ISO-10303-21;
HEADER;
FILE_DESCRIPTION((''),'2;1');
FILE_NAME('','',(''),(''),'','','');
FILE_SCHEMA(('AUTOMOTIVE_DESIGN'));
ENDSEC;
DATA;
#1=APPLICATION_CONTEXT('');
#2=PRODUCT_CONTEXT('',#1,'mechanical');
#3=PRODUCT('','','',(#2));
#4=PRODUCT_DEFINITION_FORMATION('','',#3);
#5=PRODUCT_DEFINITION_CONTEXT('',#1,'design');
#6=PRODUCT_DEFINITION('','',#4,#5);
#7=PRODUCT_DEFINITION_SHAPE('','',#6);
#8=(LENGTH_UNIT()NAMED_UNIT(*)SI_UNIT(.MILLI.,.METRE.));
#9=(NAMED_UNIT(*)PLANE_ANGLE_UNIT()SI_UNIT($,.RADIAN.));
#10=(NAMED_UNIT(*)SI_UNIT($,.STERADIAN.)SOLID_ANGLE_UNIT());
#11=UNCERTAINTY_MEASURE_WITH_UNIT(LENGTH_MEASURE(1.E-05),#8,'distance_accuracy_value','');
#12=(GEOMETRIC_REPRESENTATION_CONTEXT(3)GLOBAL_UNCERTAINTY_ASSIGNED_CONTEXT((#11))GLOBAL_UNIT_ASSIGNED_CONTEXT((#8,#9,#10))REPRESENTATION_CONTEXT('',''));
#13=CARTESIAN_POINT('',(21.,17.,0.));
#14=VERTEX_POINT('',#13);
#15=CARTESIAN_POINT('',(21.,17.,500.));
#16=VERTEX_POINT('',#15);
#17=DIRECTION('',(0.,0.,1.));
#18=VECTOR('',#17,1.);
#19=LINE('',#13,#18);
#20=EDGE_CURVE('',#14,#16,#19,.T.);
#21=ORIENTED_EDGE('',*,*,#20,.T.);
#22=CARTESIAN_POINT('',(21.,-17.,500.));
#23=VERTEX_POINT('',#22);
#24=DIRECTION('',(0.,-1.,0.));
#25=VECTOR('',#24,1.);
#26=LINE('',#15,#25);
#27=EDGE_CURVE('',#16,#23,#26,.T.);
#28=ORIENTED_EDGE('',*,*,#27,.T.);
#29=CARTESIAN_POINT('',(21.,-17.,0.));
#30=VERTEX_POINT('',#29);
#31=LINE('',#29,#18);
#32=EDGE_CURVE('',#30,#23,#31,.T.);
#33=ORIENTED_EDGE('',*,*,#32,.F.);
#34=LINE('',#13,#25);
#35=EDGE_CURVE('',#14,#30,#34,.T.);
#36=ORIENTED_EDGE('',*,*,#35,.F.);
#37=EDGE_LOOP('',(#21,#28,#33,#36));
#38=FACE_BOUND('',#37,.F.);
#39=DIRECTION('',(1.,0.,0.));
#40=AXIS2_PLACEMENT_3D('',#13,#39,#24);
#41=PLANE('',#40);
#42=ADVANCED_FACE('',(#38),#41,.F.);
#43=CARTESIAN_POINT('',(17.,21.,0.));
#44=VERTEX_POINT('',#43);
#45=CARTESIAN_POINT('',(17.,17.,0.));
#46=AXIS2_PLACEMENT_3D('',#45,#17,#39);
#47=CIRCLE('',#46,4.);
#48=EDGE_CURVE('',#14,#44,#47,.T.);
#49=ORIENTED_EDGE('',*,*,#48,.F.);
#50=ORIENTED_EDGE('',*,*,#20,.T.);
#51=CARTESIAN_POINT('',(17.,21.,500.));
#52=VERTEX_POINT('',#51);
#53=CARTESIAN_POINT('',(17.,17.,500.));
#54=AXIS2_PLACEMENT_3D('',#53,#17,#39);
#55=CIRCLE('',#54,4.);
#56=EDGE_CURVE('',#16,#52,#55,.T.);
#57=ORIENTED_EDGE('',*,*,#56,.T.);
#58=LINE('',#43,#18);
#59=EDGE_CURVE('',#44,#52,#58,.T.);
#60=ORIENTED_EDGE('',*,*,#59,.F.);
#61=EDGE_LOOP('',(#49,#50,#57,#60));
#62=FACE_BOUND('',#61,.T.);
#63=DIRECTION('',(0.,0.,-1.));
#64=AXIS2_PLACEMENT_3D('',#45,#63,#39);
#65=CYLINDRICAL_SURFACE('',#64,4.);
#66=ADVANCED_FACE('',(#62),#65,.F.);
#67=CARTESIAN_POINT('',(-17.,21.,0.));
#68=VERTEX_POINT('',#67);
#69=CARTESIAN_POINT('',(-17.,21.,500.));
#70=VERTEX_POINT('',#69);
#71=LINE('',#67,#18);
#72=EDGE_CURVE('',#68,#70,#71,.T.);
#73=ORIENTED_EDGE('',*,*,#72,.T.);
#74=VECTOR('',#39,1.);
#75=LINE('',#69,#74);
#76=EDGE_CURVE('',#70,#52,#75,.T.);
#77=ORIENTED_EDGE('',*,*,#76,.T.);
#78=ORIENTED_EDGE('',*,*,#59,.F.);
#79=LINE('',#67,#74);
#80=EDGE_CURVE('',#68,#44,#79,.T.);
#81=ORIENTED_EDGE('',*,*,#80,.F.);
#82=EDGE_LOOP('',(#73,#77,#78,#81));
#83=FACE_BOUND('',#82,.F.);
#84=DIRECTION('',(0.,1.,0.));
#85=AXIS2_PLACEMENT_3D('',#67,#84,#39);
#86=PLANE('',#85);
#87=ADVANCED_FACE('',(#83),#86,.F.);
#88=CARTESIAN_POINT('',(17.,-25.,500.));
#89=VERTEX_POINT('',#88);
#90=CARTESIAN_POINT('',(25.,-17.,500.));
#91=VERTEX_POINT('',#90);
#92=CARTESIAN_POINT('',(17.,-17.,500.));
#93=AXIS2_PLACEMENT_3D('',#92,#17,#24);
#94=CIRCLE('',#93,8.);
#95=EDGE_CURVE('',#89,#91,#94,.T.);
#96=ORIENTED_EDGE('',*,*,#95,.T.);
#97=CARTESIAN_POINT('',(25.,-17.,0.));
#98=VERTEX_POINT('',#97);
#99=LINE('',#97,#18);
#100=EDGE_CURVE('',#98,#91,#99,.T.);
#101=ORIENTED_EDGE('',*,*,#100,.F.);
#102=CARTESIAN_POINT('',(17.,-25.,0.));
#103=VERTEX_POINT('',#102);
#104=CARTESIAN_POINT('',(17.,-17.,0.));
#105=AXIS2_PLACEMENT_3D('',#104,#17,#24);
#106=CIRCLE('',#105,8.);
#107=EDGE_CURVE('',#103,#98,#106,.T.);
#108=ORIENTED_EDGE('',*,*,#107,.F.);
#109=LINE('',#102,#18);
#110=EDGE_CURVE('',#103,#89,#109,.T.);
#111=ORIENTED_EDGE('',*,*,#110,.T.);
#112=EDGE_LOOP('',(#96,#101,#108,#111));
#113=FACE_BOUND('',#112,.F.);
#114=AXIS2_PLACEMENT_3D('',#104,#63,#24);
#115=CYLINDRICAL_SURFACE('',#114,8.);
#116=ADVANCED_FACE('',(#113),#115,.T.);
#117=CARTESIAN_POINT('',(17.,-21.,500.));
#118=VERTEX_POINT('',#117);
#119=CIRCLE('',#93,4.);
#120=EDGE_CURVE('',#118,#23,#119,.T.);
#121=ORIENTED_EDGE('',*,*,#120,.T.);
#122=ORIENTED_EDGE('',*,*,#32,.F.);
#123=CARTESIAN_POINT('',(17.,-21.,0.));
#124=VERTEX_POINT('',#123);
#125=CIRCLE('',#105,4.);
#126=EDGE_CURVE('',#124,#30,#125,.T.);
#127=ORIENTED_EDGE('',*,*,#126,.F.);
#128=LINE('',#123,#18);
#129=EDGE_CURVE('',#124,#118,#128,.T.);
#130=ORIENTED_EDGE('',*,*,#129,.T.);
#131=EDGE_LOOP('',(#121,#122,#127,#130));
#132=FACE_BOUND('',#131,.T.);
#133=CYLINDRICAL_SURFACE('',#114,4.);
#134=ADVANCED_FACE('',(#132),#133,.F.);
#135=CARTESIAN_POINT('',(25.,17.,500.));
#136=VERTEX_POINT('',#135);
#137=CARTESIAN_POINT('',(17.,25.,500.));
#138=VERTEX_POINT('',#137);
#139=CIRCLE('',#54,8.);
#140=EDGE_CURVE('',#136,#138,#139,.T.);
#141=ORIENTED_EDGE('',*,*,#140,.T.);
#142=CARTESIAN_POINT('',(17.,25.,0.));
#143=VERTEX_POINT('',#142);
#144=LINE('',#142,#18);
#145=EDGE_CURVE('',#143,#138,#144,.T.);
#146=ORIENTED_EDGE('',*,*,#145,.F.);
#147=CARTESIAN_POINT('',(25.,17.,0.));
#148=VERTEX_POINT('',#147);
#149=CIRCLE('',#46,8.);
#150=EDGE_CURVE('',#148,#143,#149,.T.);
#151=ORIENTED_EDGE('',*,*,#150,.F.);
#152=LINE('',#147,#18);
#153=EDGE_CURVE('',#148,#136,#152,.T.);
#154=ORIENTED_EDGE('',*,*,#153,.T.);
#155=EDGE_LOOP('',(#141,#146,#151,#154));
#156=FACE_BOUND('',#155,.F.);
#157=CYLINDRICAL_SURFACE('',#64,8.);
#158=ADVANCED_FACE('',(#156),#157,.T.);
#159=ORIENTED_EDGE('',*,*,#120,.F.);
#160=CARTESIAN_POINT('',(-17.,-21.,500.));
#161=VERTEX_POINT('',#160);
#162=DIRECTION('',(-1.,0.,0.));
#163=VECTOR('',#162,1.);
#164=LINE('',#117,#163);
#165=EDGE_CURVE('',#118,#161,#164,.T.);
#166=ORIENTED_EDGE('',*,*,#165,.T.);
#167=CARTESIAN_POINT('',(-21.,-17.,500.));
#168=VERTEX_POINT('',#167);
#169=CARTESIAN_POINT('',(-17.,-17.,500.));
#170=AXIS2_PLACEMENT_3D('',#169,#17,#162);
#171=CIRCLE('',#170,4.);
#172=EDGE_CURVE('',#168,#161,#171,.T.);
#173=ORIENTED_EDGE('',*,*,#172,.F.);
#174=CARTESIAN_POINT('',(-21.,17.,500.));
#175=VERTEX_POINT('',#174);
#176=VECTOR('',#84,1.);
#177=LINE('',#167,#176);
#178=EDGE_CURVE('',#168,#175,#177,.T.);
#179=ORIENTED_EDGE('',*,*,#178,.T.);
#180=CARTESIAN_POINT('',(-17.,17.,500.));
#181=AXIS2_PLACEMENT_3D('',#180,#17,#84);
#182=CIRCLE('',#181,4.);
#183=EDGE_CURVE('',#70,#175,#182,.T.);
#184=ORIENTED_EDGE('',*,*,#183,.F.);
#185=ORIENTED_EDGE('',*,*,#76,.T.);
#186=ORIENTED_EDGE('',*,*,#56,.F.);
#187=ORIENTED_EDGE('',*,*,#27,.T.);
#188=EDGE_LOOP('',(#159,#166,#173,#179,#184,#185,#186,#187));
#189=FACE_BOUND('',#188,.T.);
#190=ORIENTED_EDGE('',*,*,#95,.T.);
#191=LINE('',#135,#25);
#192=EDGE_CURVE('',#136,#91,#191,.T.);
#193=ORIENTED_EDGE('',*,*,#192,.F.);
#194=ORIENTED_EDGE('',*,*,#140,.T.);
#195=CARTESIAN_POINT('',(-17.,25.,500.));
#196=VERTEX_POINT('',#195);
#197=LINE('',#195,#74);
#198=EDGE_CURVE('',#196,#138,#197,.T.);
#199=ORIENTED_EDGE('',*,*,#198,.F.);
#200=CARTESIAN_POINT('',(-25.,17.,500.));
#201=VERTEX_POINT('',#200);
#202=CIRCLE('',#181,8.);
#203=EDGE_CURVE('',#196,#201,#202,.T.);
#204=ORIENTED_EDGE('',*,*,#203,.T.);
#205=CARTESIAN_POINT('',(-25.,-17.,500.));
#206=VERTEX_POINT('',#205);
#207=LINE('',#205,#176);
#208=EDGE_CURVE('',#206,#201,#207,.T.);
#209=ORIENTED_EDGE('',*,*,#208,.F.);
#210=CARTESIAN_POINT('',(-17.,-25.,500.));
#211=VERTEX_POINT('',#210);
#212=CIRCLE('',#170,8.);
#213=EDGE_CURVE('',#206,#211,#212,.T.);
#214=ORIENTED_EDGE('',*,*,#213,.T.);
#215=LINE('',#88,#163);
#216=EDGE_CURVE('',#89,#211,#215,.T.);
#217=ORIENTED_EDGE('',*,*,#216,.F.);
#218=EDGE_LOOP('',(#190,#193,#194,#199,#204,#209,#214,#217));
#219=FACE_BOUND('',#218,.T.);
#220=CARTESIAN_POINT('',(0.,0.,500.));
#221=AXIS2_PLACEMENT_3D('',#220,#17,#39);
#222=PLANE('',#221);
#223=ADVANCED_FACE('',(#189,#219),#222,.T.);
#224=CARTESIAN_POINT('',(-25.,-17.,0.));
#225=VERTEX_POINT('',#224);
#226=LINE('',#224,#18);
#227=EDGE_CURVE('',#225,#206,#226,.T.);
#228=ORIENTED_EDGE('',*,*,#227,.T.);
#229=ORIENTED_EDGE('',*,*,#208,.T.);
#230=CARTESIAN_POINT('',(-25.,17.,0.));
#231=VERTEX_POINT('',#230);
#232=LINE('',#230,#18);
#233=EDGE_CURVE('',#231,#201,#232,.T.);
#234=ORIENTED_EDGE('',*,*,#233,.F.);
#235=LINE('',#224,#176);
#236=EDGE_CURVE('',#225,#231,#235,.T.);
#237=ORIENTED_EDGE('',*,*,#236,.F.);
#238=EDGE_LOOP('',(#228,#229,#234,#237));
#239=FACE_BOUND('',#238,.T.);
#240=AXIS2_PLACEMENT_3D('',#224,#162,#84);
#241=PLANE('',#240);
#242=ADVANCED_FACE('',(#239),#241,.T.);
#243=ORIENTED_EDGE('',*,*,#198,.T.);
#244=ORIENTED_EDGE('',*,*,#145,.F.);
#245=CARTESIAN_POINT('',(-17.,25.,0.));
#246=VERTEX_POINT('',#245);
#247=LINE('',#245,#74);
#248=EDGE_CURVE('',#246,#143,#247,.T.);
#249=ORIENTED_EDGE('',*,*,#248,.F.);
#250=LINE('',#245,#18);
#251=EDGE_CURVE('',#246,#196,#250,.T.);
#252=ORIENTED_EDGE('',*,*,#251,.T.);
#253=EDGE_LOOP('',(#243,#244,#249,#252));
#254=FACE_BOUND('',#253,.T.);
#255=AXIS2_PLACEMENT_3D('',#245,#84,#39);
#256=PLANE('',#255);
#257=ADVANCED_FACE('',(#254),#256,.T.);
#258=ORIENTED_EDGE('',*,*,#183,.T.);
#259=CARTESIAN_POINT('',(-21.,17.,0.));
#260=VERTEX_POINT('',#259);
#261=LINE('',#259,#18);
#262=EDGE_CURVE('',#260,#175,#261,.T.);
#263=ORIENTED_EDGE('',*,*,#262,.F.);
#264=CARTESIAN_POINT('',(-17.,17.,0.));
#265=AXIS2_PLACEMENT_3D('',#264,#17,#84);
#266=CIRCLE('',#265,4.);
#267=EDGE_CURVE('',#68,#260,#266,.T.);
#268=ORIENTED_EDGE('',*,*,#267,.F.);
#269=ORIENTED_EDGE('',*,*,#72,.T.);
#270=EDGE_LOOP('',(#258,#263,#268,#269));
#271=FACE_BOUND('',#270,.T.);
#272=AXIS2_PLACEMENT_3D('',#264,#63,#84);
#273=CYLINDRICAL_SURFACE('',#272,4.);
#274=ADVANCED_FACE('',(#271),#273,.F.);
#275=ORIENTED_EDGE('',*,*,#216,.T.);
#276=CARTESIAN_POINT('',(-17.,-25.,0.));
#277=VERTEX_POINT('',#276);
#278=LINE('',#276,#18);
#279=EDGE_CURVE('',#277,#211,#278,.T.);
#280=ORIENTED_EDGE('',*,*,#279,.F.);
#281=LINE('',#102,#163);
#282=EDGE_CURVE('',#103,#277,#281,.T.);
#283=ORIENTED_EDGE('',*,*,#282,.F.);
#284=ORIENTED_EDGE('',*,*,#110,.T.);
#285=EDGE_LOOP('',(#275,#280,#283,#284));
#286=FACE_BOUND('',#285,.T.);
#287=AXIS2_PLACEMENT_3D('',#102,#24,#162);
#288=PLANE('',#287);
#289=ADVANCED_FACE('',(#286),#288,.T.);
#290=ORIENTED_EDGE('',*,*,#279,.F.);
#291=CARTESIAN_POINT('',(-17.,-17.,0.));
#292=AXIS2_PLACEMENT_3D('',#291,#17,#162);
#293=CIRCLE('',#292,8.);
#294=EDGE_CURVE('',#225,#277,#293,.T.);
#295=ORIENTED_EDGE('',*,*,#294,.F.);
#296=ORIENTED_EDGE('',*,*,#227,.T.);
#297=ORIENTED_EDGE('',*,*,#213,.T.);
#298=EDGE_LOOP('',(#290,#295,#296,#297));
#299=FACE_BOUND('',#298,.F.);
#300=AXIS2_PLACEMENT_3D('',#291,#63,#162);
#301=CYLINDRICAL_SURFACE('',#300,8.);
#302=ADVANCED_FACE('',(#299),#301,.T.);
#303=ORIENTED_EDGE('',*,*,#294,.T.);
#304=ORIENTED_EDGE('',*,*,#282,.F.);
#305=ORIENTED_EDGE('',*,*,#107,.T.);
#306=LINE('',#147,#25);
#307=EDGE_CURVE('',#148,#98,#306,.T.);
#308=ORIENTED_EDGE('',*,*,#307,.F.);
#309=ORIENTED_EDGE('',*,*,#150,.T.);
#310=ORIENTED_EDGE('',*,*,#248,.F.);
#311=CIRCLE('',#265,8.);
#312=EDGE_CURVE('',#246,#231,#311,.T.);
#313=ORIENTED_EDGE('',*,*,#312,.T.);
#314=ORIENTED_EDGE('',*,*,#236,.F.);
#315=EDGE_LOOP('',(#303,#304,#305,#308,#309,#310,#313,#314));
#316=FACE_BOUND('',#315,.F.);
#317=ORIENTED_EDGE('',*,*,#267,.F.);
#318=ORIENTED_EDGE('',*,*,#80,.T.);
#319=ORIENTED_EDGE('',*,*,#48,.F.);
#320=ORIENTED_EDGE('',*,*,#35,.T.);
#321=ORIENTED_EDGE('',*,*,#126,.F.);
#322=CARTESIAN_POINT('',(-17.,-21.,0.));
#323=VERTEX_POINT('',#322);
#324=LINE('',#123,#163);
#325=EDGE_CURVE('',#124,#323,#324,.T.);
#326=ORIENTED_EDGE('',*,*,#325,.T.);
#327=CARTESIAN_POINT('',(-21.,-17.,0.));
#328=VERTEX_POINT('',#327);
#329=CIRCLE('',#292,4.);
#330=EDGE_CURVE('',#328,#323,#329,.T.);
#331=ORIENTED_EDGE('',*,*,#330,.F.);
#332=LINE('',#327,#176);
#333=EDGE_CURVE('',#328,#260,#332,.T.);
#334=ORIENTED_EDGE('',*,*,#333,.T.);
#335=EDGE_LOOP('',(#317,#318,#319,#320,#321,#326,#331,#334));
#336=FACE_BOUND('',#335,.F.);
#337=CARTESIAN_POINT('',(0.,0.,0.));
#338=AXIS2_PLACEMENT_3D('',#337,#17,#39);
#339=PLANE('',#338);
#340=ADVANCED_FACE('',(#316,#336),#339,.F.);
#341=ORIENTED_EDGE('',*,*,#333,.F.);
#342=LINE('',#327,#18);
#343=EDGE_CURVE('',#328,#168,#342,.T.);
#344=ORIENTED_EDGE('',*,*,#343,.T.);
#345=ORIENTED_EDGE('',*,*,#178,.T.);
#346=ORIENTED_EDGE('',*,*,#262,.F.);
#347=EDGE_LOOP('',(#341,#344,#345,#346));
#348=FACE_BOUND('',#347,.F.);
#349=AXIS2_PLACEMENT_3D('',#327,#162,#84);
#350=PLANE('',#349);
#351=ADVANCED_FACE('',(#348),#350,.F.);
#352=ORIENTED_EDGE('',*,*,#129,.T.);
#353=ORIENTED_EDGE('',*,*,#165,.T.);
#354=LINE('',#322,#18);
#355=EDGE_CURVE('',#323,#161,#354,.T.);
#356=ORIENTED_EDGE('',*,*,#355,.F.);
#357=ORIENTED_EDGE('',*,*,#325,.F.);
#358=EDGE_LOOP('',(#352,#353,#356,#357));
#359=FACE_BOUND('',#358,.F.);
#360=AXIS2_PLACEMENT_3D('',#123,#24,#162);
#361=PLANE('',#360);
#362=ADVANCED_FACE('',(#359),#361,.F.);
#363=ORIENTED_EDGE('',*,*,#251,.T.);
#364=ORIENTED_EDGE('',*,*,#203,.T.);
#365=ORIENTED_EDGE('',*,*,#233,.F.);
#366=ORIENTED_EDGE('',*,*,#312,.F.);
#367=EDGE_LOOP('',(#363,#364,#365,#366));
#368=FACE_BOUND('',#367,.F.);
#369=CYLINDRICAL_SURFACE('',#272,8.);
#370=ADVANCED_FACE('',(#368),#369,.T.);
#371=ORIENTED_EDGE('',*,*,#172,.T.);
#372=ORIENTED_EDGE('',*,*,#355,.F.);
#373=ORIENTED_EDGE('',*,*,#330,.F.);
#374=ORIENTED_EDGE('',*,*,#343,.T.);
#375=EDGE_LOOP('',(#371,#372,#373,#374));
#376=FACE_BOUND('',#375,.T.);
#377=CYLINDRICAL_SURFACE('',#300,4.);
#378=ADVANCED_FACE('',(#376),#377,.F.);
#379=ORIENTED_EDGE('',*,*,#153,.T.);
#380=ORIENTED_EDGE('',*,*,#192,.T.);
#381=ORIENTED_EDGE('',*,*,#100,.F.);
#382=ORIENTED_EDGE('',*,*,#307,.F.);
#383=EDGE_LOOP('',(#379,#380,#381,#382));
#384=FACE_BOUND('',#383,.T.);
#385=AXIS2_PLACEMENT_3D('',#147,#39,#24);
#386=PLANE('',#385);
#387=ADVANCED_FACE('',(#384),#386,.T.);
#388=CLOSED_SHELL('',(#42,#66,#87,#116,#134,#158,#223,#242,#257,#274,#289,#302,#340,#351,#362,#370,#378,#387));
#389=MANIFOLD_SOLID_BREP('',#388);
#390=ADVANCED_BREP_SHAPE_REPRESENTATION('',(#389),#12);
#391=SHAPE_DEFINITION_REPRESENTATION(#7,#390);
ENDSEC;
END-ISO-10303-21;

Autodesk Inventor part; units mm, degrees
ref_plane "YZ Plane" through (0, 0, 0) normal (1, 0, 0) x (0, 1, 0)
ref_plane "Start Plane" through (0, 0, 0) normal (0, 0, 1) x (1, 0, 0)
ref_plane "End Plane" through (0, 0, 500) normal (0, 0, 1) x (1, 0, 0)
sketch "Sketch" plane through (0, 0, 0) normal (0, 0, 1) x (1, 0, 0)
  line L0 (-25, -17) -> (-25, 17)
  line L1 (-17, 25) -> (17, 25)
  line L2 (25, 17) -> (25, -17)
  line L3 (17, -25) -> (-17, -25)
  arc A0 (-25, -17) -> (-17, -25) centre (-17, -17) ccw
  arc A1 (25, 17) -> (17, 25) centre (17, 17) ccw
  arc A2 (-17, 25) -> (-25, 17) centre (-17, 17) ccw
  arc A3 (17, -25) -> (25, -17) centre (17, -17) ccw
  arc A4 (-17, 21) -> (-21, 17) centre (-17, 17) ccw
  line L4 (-17, 21) -> (17, 21)
  arc A5 (21, 17) -> (17, 21) centre (17, 17) ccw
  line L5 (21, 17) -> (21, -17)
  arc A6 (17, -21) -> (21, -17) centre (17, -17) ccw
  line L6 (17, -21) -> (-17, -21)
  arc A7 (-21, -17) -> (-17, -21) centre (-17, -17) ccw
  line L7 (-21, -17) -> (-21, 17)
  line L8 (0, 37.3196) -> (0, -37.3196) construction
  line L9 (-37.3196, 0) -> (37.3196, 0) construction
  dimension "d7" = 8
  dimension "d9" = 50
  dimension "d11" = 50
  dimension "d12" = 4
  dimension "d15" = 25
  dimension "d16" = 25
extrude "Body" add sketch "Sketch" along normal up to surface (500 mm away) from surface at 0
sketch "Sketch3" plane through (0, 0, 0) normal (0, 0, 1) x (1, 0, 0)
  line L0 (0, 0) -> (10, 0)
ref_plane "Work Plane3" through (0, 0, 0) normal (0, -1, 0) x (1, 0, 0)
sketch "Sketch4" plane through (0, 0, 0) normal (0, -1, 0) x (1, 0, 0)
  line L0 (-2, 0) -> (12, 0) projected
  line L1 (-2, 500) -> (12, 500) projected
  dimension "d18" = 500
equation "\"d7\" = G_IR"
equation "\"d9\" = G_W"
equation "\"d11\" = G_H"
equation "\"d12\" = G_T"
equation "\"d15\" = 0.5 * d9"
equation "\"d16\" = 0.5 * d11"
equation "\"d3\" = G_L"
equation "\"G_W\" = 50"
equation "\"G_H\" = 50"
equation "\"G_T\" = 4"
equation "\"G_IR\" = 8"
equation "\"G_L\" = d18"
equation "\"G_OFFSET_START\" = 0"
equation "\"G_OFFSET_END\" = 0"
properties part number "ISO 4019 - 50x50x4 - 500" material "Steel, Mild"
